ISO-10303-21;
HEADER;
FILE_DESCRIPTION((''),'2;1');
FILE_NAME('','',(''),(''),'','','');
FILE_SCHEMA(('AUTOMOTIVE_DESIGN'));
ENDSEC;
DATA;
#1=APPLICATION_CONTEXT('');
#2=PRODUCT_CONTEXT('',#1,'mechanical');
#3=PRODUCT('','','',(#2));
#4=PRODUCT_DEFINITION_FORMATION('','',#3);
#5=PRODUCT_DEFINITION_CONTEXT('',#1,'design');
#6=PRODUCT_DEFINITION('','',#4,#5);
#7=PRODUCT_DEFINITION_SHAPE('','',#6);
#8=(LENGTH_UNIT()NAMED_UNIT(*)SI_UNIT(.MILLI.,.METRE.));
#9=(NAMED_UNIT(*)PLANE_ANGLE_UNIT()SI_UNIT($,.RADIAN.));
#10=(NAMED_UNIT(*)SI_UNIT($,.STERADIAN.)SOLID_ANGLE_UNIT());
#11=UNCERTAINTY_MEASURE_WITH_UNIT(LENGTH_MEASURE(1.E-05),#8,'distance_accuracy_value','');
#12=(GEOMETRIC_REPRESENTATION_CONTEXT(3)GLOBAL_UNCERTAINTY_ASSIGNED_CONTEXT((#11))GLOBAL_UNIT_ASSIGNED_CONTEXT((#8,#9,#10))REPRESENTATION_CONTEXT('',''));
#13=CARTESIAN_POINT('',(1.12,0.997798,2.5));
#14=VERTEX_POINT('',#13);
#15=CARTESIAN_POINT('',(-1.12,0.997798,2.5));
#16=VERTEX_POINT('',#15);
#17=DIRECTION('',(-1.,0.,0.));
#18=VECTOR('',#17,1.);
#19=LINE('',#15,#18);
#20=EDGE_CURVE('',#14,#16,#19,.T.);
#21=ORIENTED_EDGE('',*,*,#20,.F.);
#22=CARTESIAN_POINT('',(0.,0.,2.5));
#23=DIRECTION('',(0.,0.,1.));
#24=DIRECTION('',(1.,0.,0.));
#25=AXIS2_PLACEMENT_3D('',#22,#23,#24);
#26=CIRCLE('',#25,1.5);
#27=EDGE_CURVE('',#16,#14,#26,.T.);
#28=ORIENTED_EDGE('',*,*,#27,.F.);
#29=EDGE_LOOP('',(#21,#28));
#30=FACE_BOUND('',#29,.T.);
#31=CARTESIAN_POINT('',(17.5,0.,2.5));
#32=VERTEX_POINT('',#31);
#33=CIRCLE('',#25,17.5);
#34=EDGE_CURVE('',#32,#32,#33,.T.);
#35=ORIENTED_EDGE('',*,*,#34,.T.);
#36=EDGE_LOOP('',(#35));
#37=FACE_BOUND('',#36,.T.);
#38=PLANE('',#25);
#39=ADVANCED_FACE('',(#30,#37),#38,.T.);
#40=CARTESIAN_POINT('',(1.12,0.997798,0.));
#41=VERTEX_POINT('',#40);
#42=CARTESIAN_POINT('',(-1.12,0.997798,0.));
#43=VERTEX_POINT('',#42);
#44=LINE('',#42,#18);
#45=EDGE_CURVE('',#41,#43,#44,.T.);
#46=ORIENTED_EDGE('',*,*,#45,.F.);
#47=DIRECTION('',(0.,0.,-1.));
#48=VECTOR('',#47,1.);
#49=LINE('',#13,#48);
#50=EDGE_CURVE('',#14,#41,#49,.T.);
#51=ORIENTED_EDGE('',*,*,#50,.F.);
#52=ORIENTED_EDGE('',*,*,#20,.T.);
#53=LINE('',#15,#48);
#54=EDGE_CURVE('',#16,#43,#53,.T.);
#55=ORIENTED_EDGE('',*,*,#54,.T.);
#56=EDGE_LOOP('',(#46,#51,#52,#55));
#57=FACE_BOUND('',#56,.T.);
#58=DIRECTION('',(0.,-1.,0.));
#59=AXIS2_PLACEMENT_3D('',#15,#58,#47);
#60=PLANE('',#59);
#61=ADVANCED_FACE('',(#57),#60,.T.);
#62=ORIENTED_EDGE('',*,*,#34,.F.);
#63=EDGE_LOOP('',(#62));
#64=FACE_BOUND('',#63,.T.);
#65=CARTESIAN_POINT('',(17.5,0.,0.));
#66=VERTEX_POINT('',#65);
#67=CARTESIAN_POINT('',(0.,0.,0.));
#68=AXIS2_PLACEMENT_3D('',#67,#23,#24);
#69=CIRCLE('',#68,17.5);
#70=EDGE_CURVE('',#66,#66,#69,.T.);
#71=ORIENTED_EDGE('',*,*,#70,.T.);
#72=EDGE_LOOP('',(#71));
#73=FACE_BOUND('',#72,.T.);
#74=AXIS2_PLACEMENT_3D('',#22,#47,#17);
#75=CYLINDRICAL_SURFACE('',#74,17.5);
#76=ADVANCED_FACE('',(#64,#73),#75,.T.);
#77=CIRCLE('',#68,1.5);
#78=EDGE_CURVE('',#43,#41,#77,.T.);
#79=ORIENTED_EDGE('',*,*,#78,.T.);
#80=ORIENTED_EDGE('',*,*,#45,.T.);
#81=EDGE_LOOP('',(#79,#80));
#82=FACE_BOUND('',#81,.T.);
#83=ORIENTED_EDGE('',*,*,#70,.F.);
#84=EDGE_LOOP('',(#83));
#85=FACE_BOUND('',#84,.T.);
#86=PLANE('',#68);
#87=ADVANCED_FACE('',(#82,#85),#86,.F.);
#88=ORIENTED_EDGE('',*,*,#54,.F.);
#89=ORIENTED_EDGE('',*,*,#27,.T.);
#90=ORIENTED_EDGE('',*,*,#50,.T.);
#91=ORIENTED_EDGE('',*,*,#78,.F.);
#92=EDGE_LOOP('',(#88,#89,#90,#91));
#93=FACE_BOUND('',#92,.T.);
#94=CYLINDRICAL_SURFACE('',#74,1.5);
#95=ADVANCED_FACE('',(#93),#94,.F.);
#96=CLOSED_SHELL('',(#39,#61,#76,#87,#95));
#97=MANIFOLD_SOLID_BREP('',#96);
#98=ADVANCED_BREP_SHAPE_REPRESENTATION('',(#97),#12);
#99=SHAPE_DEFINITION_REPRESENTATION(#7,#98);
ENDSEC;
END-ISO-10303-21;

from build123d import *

# Parameters (mm, degrees)
ESBO_O1_R                = 17.5
RESSALTO_EXTRUS_O1_DEPTH = 2.5


with BuildPart() as part:
    # Esboço1 → Ressalto-extrusão1 (new body)
    with BuildSketch(Plane.XY):
        Circle(ESBO_O1_R)
        with BuildLine():
            Line((-1.12, 0.997797575), (1.12, 0.997797575))
            ThreePointArc((1.12, 0.997797575), (0, -1.5), (-1.12, 0.997797575))
        make_face(mode=Mode.SUBTRACT)
    extrude(amount=RESSALTO_EXTRUS_O1_DEPTH)


solid = part.part
